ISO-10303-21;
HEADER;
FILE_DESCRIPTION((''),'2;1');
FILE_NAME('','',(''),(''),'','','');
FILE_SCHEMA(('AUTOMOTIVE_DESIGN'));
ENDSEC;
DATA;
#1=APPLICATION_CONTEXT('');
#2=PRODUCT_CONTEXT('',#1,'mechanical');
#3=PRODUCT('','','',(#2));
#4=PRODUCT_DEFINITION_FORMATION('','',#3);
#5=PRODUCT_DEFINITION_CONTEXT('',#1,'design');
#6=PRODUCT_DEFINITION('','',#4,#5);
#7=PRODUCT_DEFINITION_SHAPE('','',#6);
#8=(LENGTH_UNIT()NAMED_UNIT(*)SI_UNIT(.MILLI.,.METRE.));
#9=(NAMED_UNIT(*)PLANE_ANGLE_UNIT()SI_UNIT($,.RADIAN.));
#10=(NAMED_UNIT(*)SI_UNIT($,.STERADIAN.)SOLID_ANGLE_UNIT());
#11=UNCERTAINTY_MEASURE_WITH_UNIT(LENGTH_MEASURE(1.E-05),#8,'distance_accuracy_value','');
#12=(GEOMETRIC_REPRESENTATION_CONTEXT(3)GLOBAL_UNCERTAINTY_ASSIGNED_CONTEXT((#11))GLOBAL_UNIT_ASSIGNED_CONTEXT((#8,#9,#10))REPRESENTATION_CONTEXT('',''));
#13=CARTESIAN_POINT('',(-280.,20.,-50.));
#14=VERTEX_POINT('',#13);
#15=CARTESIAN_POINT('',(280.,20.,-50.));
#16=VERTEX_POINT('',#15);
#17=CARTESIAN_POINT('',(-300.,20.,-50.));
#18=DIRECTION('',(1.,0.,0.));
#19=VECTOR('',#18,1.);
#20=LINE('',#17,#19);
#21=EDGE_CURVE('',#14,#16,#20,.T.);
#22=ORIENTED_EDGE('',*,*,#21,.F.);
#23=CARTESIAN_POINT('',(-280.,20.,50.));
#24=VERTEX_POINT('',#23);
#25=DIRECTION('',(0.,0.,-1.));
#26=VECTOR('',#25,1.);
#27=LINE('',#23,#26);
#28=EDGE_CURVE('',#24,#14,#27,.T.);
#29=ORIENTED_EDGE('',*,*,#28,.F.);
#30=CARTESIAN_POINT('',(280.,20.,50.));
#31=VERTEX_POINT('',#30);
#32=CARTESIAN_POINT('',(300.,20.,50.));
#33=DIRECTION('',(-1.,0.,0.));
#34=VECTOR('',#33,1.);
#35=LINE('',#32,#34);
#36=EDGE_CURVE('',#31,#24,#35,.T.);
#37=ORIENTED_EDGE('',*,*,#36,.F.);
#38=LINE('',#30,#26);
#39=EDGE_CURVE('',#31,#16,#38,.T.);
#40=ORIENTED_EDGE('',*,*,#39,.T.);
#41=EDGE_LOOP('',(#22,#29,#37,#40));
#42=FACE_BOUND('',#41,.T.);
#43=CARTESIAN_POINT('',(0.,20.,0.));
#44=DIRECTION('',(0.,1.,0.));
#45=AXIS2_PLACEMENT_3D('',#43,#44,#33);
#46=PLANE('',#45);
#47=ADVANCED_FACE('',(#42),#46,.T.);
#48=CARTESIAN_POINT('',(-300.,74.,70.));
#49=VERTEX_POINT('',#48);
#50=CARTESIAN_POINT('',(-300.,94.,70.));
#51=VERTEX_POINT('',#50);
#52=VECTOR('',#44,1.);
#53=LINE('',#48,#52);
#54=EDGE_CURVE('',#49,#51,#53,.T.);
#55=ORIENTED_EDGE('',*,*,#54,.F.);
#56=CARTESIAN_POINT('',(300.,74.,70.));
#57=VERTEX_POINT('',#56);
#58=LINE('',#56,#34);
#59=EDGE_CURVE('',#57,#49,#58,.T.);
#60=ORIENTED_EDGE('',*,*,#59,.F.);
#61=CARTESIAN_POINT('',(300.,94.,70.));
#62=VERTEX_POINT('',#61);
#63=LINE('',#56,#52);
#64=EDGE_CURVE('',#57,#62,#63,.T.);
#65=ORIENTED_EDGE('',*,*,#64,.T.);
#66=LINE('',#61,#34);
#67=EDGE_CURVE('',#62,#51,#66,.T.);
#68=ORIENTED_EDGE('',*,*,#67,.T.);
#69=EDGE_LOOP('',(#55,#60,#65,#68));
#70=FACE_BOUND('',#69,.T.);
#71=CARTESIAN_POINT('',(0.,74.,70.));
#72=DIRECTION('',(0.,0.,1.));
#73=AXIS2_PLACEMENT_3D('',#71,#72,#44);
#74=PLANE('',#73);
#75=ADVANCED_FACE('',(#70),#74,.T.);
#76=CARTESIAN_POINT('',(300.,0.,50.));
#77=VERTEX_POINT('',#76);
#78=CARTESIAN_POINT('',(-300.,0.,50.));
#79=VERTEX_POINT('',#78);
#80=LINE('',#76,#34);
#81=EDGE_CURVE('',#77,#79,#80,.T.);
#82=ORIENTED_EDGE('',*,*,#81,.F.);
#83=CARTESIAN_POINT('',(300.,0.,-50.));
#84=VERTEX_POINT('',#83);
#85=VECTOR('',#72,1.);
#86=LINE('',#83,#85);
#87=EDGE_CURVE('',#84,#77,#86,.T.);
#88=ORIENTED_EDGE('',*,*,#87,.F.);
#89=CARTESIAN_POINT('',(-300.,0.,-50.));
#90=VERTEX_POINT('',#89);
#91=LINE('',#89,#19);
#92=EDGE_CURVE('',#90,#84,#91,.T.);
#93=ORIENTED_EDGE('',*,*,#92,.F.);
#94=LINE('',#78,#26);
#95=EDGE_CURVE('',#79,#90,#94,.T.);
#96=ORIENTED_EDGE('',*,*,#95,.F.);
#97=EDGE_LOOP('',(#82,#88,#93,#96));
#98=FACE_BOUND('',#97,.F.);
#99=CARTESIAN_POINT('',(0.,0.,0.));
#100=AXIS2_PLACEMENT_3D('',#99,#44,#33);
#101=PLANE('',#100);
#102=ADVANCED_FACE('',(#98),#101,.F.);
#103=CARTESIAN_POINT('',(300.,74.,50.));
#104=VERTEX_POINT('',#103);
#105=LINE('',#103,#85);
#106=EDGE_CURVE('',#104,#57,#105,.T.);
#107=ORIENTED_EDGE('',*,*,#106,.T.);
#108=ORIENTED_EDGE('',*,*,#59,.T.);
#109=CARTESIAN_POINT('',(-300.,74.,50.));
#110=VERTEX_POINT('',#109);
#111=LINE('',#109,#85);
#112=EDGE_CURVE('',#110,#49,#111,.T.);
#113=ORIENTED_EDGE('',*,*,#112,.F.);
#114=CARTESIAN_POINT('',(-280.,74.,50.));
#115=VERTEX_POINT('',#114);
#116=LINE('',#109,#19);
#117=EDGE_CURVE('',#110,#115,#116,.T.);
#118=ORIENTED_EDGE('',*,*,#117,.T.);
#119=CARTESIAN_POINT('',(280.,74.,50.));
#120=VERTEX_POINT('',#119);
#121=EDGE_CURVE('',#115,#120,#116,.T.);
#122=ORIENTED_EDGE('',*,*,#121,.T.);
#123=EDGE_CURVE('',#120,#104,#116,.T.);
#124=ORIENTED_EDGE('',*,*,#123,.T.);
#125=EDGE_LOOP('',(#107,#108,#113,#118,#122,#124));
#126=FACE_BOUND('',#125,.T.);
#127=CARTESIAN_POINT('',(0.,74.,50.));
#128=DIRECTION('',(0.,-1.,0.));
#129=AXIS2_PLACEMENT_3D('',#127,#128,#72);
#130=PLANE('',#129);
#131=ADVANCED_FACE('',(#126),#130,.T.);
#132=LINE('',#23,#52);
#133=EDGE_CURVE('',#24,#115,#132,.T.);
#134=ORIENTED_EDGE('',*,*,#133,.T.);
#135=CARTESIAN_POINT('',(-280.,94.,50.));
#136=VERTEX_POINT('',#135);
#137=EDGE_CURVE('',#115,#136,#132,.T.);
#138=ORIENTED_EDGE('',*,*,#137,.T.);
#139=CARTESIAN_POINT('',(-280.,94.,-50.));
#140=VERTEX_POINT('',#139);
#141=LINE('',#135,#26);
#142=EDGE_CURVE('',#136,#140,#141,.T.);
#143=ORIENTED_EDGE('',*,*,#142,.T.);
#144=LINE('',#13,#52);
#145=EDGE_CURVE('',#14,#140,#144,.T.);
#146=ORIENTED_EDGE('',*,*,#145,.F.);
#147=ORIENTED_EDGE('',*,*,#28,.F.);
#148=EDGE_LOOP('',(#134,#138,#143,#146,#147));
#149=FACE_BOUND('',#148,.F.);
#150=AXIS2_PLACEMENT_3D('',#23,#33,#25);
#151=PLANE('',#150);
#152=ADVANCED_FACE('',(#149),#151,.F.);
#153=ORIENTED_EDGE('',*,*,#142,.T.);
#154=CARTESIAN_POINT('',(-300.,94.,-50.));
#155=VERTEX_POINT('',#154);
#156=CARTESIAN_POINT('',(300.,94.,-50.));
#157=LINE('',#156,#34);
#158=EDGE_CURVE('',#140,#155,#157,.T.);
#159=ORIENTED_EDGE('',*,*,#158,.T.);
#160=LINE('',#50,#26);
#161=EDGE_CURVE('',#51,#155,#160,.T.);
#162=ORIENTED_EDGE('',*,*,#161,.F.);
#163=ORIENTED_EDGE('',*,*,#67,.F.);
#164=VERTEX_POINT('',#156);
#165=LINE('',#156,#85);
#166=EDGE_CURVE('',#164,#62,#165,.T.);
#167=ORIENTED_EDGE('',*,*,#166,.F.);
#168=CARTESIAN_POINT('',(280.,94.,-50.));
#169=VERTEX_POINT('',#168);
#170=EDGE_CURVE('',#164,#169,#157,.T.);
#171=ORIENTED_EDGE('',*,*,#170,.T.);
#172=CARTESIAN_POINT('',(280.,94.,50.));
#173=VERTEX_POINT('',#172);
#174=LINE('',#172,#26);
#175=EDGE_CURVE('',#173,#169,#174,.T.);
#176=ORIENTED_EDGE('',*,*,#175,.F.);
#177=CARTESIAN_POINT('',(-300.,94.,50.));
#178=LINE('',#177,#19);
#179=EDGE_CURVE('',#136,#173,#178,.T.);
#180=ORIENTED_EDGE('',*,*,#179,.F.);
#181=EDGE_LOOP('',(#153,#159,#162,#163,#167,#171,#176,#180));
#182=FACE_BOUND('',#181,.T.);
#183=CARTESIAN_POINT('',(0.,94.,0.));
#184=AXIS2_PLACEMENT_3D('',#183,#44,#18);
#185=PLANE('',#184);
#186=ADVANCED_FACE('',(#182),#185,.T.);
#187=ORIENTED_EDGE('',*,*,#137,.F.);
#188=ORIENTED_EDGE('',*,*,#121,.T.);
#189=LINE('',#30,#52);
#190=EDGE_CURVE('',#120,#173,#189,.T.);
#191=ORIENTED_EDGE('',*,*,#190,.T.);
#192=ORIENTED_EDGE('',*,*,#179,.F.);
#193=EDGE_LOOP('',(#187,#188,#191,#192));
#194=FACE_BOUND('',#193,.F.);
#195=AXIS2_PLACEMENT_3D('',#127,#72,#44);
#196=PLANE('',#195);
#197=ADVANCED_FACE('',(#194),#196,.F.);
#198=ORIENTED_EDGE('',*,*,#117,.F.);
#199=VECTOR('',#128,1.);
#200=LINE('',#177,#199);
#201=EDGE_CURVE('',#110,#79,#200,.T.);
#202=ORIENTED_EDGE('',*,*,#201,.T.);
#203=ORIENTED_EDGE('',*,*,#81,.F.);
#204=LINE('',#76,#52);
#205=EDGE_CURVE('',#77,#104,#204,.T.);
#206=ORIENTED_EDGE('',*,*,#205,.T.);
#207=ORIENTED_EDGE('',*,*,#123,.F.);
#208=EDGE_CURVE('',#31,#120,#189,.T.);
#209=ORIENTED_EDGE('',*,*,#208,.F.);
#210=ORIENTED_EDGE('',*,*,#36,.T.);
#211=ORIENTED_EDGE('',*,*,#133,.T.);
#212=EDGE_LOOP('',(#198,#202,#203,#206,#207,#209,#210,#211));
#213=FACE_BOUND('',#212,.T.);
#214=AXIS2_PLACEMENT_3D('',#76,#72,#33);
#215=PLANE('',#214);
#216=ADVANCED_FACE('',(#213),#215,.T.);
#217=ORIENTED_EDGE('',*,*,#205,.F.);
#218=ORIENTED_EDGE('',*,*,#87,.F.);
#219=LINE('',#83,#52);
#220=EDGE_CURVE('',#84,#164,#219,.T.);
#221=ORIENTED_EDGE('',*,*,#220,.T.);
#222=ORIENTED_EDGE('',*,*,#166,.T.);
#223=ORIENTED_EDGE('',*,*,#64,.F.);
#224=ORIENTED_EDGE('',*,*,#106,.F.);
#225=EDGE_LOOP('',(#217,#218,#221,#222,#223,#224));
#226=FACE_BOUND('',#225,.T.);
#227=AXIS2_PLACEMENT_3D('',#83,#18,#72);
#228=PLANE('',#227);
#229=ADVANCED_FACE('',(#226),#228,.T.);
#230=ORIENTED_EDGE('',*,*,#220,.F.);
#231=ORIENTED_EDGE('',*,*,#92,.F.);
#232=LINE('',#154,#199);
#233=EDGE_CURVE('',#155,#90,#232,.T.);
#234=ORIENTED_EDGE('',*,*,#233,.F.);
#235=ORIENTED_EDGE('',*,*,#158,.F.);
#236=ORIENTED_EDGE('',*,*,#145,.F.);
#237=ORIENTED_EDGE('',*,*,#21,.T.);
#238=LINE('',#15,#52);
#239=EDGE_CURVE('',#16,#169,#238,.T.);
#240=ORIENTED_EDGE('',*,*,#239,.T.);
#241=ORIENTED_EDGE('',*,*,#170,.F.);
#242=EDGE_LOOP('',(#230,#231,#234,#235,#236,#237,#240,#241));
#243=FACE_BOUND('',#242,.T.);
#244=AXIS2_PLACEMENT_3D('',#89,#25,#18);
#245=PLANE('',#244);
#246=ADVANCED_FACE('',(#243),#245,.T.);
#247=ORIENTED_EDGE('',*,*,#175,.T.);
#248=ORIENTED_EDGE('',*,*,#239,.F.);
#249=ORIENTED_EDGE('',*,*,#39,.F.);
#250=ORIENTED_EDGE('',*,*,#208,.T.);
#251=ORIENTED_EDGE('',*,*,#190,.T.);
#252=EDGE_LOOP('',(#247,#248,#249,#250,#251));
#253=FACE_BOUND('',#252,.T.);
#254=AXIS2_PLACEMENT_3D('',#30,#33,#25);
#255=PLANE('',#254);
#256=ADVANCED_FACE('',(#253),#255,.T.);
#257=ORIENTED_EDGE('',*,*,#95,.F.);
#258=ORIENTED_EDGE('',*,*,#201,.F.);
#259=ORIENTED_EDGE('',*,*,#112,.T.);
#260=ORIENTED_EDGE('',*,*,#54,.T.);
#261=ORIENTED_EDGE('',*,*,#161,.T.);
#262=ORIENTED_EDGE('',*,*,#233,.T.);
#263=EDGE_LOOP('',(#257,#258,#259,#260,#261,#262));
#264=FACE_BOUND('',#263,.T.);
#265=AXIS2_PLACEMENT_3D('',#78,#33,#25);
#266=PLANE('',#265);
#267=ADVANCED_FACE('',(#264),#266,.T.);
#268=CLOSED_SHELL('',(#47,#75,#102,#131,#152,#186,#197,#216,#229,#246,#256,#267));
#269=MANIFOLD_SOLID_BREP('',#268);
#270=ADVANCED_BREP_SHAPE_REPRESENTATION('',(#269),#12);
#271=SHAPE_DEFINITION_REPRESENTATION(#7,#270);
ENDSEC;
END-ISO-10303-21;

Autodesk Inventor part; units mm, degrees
ref_plane "YZ Plane" through (0, 0, 0) normal (1, 0, 0) x (0, 1, 0)
ref_plane "XZ Plane" through (0, 0, 0) normal (0, 1, 0) x (-1, 0, 0)
ref_plane "XY Plane" through (0, 0, 0) normal (0, 0, 1) x (1, 0, 0)
sketch "Эскиз1" plane through (0, 0, 0) normal (0, 1, 0) x (-1, 0, 0)
  line L0 (-300, 50) -> (300, 50)
  line L1 (300, 50) -> (300, -50)
  line L2 (300, -50) -> (-300, -50)
  line L3 (-300, -50) -> (-300, 50)
  line L4 (0, 50) -> (0, -50) construction
  line L5 (-300, 0) -> (300, 0) construction
  point P0 (0, 0)
  point P1 (0, 0)
  dimension "d0" = 600
  dimension "d1" = 100
extrude "Выдавливание1" add sketch "Эскиз1" along normal blind 20
sketch "Эскиз2" plane through (0, 20, 0) normal (0, 1, 0) x (1, 0, 0)
  line L0 (300, -50) -> (300, 50) projected
  line L1 (300, 50) -> (-300, 50) projected
  line L2 (300, -50) -> (280, -50)
  line L3 (280, -50) -> (280, 50)
  line L4 (280, 50) -> (300, 50)
  line L5 (300, 50) -> (300, -50)
  line L6 (-300, -50) -> (300, -50) construction
  line L7 (0, -50) -> (0, 50) construction
  line L8 (-300, -50) -> (-300, 50)
  line L9 (-300, -50) -> (-280, -50)
  line L10 (-280, -50) -> (-280, 50)
  line L11 (-280, 50) -> (-300, 50)
  line L12 (-300, 50) -> (-300, -50)
  point P0 (0, 0)
  point P1 (-280, 50)
  dimension "d4" = 20
extrude "Выдавливание2" add sketch "Эскиз2" along normal blind 74
sketch "Эскиз3" plane through (-300, 0, 50) normal (0, 0, 1) x (1, 0, 0)
  point P0 (300, 0)
sketch "Эскиз4" plane through (0, 0, 0) normal (1, 0, 0) x (0, 1, 0)
  line L0 (20, 50) -> (94, 50) projected
  line L1 (94, 50) -> (74, 50)
  line L2 (74, 50) -> (74, 70)
  line L3 (74, 70) -> (94, 70)
  line L4 (94, 70) -> (94, 50)
  point P0 (0, 0)
  dimension "d7" = 20
extrude "Выдавливание3" add sketch "Эскиз4" along normal mid plane 600
properties part number "Vorota1"
